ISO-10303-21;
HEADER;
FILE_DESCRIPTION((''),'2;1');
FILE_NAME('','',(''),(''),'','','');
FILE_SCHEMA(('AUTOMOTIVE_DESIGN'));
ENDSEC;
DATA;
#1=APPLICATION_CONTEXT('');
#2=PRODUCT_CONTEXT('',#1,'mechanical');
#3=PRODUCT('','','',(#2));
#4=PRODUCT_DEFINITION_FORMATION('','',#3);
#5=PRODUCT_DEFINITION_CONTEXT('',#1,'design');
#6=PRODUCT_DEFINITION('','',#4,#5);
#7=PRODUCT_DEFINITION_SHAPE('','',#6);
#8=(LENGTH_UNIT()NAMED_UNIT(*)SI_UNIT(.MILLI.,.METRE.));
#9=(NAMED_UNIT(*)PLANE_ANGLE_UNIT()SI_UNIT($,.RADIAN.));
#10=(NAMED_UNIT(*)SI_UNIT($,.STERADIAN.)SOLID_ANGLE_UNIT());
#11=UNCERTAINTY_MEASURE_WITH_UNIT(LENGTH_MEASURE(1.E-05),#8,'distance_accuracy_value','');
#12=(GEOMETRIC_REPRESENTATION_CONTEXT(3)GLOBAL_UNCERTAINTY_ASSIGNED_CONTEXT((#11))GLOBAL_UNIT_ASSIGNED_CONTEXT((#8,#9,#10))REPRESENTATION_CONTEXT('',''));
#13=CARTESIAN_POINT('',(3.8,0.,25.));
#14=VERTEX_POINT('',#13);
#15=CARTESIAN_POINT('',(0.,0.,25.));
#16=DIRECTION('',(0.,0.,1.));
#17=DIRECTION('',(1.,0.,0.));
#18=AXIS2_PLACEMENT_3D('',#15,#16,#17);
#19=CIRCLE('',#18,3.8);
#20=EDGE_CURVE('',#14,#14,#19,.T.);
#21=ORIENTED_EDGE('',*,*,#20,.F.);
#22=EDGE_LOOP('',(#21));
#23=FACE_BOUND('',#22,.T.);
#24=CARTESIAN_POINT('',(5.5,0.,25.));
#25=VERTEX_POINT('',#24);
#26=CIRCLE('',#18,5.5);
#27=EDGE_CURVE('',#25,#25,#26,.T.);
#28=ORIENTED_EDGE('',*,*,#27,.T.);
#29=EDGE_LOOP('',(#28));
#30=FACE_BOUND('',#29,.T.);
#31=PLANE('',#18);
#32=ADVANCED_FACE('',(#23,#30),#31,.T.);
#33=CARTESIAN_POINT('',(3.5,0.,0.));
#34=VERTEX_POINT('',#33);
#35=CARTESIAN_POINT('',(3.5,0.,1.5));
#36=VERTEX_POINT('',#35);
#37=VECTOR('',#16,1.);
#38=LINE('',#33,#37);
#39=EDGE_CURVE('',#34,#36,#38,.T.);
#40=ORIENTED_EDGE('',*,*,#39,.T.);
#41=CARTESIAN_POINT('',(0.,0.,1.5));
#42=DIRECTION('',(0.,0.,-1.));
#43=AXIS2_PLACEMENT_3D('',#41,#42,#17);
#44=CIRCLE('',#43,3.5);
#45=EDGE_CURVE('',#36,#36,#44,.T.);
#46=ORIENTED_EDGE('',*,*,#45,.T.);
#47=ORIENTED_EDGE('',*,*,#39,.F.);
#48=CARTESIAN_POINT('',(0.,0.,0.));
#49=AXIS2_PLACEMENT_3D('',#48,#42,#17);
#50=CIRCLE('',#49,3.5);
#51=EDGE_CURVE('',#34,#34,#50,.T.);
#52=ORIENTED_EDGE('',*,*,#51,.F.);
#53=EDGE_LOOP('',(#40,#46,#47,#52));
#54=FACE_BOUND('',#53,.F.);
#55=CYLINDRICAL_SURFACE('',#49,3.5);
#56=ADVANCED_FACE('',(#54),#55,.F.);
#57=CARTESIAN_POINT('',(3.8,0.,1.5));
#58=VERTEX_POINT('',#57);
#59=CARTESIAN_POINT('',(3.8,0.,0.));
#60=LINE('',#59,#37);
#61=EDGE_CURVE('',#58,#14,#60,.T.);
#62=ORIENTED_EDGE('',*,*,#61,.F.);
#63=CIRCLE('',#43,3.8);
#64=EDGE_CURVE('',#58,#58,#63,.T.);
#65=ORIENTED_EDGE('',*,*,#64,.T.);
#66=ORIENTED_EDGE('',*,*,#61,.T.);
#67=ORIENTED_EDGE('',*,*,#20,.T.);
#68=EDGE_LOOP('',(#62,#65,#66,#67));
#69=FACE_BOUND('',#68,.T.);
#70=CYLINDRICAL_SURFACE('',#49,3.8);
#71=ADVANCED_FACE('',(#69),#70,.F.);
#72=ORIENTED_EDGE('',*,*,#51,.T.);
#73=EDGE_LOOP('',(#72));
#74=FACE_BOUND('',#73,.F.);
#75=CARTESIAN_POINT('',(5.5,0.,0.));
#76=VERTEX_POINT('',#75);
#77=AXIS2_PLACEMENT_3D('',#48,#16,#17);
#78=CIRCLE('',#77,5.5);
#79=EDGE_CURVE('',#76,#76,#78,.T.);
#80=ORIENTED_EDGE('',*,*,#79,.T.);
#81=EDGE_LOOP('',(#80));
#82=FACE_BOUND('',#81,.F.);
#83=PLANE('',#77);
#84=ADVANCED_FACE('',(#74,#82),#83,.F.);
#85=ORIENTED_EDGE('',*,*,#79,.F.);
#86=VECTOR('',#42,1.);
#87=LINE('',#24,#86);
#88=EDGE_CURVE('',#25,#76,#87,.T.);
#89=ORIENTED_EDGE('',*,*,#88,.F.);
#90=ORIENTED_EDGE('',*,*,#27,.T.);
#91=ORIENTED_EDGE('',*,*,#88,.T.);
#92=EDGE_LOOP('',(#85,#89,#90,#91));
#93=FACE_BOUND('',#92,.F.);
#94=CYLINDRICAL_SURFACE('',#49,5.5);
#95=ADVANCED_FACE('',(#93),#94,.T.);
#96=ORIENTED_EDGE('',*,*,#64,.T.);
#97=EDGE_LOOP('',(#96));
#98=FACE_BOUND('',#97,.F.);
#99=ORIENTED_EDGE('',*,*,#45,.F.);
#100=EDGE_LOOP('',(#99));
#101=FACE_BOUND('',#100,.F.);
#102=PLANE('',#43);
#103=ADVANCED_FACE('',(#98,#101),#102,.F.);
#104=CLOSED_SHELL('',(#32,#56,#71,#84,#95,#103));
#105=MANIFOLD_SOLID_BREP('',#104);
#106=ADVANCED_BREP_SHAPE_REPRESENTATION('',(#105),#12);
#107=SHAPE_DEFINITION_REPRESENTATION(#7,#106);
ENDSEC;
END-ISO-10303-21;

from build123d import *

# Parameters (mm, degrees)
F0_R     = 5.5
F0_R_2   = 3.8
F1_DEPTH = 25
F2_R     = 5.5
F2_R_2   = 3.5
F3_DEPTH = 1.5


with BuildPart() as f1:
    # F0 (on Top) → F1 (new body)
    with BuildSketch(Plane.XY):
        Circle(F0_R)
        Circle(F0_R_2, mode=Mode.SUBTRACT)
    extrude(amount=F1_DEPTH)

    # F2 (on face) → F3 (join)
    with BuildSketch(Plane(origin=(0, 0, 0), x_dir=(1, 0, 0), z_dir=(0, 0, -1))):
        Circle(F2_R)
        Circle(F2_R_2, mode=Mode.SUBTRACT)
    extrude(amount=-F3_DEPTH)


solid = f1.part
